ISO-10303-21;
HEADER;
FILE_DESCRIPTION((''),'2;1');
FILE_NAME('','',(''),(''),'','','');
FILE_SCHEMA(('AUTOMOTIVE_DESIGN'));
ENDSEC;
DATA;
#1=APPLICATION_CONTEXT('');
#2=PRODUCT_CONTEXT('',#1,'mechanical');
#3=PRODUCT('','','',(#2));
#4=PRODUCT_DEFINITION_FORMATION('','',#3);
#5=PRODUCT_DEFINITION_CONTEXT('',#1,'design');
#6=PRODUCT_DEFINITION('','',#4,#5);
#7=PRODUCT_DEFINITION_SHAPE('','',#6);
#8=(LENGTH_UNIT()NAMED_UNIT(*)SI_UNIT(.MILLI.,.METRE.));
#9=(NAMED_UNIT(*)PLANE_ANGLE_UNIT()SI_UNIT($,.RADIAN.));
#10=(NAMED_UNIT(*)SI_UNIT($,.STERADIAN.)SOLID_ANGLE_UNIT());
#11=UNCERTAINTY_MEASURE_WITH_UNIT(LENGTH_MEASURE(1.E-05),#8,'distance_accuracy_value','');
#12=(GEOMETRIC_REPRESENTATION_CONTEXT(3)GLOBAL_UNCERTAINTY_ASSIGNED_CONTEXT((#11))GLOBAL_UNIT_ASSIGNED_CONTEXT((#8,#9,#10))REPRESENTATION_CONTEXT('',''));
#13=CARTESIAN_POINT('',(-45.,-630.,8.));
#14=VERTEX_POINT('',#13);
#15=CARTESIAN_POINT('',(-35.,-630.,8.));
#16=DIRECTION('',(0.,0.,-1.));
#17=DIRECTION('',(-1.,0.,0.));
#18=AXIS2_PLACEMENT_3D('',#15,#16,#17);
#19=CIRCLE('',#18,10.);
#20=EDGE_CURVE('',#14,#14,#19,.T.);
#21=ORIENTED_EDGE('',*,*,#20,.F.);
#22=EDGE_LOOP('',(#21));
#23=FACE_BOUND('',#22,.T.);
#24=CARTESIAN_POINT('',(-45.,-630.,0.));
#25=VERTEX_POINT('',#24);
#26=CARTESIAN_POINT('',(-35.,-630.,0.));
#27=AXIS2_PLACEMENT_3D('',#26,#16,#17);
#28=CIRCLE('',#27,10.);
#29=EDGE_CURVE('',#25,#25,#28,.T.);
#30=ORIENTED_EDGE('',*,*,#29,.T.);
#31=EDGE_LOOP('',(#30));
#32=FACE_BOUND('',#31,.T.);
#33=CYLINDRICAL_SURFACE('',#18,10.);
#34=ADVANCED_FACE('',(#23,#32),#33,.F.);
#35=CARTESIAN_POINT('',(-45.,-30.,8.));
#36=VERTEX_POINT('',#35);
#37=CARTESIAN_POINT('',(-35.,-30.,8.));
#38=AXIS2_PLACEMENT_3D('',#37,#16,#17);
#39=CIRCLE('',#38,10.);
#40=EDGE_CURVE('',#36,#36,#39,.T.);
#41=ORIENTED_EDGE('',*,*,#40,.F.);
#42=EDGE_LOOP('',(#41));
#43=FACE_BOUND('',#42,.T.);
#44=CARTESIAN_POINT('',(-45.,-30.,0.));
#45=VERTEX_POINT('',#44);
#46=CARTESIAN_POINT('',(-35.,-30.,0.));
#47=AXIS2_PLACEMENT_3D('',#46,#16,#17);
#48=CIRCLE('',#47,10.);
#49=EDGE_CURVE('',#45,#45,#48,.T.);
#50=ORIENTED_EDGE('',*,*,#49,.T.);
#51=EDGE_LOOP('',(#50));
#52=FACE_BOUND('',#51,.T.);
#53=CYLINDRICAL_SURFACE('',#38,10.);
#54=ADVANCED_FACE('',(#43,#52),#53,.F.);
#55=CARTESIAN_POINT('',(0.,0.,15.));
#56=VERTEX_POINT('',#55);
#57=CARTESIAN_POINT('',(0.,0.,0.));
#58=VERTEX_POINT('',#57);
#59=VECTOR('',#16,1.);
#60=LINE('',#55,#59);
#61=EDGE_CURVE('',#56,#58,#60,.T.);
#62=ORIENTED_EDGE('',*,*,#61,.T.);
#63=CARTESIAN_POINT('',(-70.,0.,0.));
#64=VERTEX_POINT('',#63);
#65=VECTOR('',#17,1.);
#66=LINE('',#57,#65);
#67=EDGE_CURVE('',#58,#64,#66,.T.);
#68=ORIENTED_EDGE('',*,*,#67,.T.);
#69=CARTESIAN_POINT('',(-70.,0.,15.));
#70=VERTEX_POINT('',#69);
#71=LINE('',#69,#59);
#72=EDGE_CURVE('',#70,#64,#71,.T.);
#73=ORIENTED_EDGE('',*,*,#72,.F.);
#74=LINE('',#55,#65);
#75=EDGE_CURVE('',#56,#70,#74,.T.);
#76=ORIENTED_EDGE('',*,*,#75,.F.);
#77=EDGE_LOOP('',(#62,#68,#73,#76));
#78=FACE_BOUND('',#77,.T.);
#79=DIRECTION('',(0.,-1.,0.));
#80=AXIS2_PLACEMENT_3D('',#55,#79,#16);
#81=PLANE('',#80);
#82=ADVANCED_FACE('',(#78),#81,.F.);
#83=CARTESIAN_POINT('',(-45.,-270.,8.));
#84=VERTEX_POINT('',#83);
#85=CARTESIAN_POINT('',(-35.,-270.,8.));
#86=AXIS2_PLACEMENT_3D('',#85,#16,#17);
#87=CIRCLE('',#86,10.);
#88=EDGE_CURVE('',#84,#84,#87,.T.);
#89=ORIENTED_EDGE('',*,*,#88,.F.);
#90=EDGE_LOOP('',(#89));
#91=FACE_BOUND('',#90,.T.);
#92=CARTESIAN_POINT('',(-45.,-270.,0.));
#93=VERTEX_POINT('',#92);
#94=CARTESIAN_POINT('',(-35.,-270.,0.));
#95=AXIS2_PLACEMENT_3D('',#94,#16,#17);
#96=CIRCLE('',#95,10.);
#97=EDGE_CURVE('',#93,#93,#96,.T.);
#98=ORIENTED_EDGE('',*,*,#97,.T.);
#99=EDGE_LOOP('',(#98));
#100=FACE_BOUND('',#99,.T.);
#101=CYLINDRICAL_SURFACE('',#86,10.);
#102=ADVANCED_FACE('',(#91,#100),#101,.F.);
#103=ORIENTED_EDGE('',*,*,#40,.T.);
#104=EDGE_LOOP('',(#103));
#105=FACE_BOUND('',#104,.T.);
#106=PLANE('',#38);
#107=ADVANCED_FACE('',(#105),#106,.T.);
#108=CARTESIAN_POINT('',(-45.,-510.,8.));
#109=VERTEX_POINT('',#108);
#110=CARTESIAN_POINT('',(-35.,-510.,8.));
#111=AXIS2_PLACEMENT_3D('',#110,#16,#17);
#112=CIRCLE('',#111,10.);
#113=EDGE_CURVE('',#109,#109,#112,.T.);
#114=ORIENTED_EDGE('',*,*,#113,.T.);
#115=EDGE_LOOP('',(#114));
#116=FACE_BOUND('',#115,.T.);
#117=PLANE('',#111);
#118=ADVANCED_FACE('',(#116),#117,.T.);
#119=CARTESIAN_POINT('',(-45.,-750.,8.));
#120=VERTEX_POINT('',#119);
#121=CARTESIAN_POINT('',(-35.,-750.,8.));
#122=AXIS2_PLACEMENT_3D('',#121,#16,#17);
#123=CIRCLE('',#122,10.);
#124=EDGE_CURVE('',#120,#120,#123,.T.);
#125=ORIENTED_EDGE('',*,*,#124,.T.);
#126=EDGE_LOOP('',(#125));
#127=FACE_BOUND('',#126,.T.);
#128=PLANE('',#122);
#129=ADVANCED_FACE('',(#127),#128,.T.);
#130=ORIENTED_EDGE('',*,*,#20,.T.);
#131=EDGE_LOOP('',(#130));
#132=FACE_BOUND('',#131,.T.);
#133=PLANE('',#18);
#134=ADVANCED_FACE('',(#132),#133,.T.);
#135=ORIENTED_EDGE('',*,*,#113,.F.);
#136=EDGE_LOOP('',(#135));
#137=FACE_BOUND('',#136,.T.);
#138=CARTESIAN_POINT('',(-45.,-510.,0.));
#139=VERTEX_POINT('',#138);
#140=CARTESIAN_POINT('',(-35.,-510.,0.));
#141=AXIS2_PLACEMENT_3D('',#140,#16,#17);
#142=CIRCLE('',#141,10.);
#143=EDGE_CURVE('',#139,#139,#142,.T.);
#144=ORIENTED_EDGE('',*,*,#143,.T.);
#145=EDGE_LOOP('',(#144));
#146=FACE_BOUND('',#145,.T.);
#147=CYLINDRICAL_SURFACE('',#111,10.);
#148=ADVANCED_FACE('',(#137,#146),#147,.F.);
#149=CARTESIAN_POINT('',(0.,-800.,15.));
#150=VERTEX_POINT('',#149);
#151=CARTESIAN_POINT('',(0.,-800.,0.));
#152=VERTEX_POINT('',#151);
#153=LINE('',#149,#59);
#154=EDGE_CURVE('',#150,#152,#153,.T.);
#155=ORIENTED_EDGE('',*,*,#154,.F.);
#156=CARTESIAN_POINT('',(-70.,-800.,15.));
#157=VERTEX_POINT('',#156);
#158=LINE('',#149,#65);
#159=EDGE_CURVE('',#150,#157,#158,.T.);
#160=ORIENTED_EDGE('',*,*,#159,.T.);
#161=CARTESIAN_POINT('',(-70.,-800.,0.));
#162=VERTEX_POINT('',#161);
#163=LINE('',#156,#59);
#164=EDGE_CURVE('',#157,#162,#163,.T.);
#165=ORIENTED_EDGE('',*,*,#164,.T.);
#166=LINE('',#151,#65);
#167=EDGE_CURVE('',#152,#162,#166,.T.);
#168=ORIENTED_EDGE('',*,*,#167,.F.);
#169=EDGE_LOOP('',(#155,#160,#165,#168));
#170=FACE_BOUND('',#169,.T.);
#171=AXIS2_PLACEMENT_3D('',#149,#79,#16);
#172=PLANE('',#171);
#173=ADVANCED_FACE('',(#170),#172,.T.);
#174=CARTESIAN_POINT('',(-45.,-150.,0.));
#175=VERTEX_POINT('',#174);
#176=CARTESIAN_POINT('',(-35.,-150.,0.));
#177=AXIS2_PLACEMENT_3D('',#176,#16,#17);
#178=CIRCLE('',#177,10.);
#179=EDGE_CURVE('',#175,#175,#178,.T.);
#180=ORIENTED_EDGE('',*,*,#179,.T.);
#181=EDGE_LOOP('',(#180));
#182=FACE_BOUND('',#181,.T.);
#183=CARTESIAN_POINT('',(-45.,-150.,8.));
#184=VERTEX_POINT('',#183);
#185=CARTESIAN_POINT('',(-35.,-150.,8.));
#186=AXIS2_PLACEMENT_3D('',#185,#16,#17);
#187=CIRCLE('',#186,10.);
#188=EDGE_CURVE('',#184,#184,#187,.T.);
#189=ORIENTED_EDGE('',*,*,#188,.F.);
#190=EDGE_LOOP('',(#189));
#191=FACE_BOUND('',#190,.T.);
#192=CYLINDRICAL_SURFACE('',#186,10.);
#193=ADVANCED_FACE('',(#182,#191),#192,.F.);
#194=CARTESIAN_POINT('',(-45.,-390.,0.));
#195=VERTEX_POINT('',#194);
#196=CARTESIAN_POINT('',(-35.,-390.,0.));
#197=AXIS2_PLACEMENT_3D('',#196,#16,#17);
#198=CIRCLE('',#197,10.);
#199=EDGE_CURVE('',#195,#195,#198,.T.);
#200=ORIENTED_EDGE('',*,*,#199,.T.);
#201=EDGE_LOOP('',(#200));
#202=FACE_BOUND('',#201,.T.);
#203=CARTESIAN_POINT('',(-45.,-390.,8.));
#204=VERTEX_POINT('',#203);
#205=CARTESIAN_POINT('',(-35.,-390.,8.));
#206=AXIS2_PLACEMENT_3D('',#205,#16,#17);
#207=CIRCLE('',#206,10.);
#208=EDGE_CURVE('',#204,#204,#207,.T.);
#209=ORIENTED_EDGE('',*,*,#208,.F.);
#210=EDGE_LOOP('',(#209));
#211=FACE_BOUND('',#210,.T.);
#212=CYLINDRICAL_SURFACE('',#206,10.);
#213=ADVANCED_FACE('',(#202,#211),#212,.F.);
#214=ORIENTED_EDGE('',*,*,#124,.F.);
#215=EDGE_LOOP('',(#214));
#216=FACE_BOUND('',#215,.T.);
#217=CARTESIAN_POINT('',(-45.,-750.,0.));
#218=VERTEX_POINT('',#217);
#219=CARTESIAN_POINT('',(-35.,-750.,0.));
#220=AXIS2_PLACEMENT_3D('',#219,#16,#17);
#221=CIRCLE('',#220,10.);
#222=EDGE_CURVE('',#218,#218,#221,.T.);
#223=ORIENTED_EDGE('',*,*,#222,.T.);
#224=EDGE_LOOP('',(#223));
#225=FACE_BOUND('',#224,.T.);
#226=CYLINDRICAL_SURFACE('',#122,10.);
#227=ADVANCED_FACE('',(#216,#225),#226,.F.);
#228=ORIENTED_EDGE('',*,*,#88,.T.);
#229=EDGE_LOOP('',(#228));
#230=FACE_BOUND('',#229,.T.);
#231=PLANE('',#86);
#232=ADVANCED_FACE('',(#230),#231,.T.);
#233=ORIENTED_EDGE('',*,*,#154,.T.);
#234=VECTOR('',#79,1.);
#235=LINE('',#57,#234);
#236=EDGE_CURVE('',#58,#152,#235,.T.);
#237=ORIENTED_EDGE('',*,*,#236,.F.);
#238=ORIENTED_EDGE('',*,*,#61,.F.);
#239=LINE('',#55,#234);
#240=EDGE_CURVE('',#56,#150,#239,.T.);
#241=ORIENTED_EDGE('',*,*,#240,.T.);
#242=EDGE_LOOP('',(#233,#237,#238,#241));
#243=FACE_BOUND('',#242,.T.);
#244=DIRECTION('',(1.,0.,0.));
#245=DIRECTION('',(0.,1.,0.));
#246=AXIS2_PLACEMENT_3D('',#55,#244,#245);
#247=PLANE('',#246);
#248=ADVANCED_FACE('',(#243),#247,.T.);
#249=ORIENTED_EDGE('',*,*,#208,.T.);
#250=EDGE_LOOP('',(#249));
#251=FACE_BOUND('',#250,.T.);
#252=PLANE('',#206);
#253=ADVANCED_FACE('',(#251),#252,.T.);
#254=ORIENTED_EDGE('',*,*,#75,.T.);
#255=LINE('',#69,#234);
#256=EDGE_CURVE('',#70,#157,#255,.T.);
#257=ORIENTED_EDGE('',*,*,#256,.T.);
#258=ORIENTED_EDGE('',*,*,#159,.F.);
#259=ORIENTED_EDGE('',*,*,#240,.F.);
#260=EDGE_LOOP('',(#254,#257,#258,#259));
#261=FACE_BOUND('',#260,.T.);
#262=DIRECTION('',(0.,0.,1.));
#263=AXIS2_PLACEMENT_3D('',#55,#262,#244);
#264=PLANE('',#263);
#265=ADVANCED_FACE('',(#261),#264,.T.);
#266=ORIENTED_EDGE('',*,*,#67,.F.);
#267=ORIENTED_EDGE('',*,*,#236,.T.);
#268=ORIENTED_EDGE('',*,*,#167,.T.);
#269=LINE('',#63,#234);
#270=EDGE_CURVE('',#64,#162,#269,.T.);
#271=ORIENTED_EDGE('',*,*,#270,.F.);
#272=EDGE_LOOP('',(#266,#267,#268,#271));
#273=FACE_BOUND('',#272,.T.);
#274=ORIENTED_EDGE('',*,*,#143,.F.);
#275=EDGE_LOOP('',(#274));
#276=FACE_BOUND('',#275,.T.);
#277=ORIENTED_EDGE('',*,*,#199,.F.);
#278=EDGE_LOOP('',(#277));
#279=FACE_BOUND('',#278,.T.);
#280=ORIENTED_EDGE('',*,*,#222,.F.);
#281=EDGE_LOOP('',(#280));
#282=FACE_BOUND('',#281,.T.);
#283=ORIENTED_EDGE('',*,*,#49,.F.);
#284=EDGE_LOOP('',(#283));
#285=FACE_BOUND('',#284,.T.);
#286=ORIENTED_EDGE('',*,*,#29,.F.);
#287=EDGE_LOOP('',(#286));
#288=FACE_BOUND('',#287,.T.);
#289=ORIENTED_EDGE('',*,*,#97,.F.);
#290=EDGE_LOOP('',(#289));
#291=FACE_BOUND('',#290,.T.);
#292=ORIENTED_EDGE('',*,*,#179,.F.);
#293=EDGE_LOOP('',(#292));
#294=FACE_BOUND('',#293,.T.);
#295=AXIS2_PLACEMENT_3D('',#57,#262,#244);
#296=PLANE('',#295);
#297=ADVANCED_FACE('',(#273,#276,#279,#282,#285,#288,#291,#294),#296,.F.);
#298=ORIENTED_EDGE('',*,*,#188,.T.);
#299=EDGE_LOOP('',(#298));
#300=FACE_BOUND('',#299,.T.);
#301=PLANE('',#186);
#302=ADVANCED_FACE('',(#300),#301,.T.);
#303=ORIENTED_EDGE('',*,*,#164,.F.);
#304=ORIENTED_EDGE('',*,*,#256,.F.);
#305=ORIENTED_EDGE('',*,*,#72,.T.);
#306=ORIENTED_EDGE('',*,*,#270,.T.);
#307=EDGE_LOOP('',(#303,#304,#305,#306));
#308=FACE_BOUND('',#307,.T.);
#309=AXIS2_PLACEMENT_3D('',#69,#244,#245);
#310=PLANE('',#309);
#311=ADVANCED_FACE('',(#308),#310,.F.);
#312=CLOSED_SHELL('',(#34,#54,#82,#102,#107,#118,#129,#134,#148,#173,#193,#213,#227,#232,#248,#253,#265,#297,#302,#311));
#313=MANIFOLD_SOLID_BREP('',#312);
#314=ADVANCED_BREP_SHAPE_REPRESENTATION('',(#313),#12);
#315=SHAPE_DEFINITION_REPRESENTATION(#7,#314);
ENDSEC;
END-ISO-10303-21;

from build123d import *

# Parameters (mm, degrees)
SKETCH3_W           = 70
SKETCH3_H           = 800
BOSS_EXTRUDE1_DEPTH = 15
SKETCH4_R           = 10
CUT_EXTRUDE1_DEPTH  = 8


with BuildPart() as part:
    # Sketch3 → Boss-Extrude1 (new body)
    with BuildSketch(Plane.XY):
        with Locations((-35, -400)):
            Rectangle(SKETCH3_W, SKETCH3_H)
    extrude(amount=BOSS_EXTRUDE1_DEPTH)

    # Sketch4 → Cut-Extrude1 (cut)
    with BuildSketch(Plane(origin=(0, 0, 0), x_dir=(-1, 0, 0), z_dir=(0, 0, -1))):
        with Locations((35, -30)):
            Circle(SKETCH4_R)
        with Locations((35, -150)):
            Circle(SKETCH4_R)
        with Locations((35, -270)):
            Circle(SKETCH4_R)
        with Locations((35, -390)):
            Circle(SKETCH4_R)
        with Locations((35, -510)):
            Circle(SKETCH4_R)
        with Locations((35, -630)):
            Circle(SKETCH4_R)
        with Locations((35, -750)):
            Circle(SKETCH4_R)
    extrude(amount=-CUT_EXTRUDE1_DEPTH, mode=Mode.SUBTRACT)


solid = part.part
